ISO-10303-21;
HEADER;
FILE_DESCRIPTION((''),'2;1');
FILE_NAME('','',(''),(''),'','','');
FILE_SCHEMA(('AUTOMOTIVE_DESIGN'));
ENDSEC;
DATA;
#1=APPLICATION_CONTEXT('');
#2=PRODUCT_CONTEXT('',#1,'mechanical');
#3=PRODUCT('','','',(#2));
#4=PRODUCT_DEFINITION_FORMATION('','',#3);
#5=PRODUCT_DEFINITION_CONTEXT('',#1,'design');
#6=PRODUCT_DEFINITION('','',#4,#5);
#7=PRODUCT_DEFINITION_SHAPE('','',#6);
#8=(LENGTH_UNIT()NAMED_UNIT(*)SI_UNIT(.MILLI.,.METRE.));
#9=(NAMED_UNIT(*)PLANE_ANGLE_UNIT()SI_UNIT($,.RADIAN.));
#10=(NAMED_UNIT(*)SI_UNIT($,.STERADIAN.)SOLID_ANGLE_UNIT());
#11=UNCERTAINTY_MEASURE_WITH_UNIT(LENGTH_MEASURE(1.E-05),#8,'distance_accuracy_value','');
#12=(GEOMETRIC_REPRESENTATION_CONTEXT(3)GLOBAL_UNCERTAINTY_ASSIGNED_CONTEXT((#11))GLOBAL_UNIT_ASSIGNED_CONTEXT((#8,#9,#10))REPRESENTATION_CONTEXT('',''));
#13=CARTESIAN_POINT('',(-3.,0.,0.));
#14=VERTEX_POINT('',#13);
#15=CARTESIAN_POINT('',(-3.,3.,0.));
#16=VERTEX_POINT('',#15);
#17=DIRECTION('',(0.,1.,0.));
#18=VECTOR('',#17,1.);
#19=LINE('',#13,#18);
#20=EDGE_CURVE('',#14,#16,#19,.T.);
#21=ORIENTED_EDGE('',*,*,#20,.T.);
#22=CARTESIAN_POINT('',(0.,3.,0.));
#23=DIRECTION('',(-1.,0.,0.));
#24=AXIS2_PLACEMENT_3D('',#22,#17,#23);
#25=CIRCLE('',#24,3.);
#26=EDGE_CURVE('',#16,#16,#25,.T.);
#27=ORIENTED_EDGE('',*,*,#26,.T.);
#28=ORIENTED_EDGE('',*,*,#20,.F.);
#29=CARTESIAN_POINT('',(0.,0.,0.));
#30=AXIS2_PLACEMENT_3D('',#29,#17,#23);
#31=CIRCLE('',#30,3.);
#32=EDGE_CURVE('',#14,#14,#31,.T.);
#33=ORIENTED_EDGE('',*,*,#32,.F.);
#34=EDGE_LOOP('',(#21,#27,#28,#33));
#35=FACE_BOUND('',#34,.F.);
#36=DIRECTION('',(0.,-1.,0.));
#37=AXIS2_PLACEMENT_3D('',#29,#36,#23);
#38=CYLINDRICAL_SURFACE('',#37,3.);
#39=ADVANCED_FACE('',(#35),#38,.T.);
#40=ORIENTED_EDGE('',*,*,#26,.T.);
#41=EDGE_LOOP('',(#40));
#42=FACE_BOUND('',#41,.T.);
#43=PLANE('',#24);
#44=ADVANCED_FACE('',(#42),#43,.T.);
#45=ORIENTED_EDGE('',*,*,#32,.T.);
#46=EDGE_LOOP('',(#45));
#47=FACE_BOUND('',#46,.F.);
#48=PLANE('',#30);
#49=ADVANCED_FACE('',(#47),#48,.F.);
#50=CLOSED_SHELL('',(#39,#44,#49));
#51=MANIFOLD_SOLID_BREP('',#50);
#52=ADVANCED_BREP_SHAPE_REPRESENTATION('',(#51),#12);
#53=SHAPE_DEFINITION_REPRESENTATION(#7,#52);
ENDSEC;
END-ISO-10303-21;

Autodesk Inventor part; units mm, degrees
ref_plane "YZ Plane" through (0, 0, 0) normal (1, 0, 0) x (0, 1, 0)
ref_plane "XZ Plane" through (0, 0, 0) normal (0, 1, 0) x (-1, 0, 0)
ref_plane "XY Plane" through (0, 0, 0) normal (0, 0, 1) x (1, 0, 0)
sketch "Эскиз1" plane through (0, 0, 0) normal (0, 1, 0) x (-1, 0, 0)
  circle A0 centre (0, 0) radius 3
  dimension "d0" = 6
extrude "Выдавливание1" add sketch "Эскиз1" along normal blind 3
properties part number "магнит"
